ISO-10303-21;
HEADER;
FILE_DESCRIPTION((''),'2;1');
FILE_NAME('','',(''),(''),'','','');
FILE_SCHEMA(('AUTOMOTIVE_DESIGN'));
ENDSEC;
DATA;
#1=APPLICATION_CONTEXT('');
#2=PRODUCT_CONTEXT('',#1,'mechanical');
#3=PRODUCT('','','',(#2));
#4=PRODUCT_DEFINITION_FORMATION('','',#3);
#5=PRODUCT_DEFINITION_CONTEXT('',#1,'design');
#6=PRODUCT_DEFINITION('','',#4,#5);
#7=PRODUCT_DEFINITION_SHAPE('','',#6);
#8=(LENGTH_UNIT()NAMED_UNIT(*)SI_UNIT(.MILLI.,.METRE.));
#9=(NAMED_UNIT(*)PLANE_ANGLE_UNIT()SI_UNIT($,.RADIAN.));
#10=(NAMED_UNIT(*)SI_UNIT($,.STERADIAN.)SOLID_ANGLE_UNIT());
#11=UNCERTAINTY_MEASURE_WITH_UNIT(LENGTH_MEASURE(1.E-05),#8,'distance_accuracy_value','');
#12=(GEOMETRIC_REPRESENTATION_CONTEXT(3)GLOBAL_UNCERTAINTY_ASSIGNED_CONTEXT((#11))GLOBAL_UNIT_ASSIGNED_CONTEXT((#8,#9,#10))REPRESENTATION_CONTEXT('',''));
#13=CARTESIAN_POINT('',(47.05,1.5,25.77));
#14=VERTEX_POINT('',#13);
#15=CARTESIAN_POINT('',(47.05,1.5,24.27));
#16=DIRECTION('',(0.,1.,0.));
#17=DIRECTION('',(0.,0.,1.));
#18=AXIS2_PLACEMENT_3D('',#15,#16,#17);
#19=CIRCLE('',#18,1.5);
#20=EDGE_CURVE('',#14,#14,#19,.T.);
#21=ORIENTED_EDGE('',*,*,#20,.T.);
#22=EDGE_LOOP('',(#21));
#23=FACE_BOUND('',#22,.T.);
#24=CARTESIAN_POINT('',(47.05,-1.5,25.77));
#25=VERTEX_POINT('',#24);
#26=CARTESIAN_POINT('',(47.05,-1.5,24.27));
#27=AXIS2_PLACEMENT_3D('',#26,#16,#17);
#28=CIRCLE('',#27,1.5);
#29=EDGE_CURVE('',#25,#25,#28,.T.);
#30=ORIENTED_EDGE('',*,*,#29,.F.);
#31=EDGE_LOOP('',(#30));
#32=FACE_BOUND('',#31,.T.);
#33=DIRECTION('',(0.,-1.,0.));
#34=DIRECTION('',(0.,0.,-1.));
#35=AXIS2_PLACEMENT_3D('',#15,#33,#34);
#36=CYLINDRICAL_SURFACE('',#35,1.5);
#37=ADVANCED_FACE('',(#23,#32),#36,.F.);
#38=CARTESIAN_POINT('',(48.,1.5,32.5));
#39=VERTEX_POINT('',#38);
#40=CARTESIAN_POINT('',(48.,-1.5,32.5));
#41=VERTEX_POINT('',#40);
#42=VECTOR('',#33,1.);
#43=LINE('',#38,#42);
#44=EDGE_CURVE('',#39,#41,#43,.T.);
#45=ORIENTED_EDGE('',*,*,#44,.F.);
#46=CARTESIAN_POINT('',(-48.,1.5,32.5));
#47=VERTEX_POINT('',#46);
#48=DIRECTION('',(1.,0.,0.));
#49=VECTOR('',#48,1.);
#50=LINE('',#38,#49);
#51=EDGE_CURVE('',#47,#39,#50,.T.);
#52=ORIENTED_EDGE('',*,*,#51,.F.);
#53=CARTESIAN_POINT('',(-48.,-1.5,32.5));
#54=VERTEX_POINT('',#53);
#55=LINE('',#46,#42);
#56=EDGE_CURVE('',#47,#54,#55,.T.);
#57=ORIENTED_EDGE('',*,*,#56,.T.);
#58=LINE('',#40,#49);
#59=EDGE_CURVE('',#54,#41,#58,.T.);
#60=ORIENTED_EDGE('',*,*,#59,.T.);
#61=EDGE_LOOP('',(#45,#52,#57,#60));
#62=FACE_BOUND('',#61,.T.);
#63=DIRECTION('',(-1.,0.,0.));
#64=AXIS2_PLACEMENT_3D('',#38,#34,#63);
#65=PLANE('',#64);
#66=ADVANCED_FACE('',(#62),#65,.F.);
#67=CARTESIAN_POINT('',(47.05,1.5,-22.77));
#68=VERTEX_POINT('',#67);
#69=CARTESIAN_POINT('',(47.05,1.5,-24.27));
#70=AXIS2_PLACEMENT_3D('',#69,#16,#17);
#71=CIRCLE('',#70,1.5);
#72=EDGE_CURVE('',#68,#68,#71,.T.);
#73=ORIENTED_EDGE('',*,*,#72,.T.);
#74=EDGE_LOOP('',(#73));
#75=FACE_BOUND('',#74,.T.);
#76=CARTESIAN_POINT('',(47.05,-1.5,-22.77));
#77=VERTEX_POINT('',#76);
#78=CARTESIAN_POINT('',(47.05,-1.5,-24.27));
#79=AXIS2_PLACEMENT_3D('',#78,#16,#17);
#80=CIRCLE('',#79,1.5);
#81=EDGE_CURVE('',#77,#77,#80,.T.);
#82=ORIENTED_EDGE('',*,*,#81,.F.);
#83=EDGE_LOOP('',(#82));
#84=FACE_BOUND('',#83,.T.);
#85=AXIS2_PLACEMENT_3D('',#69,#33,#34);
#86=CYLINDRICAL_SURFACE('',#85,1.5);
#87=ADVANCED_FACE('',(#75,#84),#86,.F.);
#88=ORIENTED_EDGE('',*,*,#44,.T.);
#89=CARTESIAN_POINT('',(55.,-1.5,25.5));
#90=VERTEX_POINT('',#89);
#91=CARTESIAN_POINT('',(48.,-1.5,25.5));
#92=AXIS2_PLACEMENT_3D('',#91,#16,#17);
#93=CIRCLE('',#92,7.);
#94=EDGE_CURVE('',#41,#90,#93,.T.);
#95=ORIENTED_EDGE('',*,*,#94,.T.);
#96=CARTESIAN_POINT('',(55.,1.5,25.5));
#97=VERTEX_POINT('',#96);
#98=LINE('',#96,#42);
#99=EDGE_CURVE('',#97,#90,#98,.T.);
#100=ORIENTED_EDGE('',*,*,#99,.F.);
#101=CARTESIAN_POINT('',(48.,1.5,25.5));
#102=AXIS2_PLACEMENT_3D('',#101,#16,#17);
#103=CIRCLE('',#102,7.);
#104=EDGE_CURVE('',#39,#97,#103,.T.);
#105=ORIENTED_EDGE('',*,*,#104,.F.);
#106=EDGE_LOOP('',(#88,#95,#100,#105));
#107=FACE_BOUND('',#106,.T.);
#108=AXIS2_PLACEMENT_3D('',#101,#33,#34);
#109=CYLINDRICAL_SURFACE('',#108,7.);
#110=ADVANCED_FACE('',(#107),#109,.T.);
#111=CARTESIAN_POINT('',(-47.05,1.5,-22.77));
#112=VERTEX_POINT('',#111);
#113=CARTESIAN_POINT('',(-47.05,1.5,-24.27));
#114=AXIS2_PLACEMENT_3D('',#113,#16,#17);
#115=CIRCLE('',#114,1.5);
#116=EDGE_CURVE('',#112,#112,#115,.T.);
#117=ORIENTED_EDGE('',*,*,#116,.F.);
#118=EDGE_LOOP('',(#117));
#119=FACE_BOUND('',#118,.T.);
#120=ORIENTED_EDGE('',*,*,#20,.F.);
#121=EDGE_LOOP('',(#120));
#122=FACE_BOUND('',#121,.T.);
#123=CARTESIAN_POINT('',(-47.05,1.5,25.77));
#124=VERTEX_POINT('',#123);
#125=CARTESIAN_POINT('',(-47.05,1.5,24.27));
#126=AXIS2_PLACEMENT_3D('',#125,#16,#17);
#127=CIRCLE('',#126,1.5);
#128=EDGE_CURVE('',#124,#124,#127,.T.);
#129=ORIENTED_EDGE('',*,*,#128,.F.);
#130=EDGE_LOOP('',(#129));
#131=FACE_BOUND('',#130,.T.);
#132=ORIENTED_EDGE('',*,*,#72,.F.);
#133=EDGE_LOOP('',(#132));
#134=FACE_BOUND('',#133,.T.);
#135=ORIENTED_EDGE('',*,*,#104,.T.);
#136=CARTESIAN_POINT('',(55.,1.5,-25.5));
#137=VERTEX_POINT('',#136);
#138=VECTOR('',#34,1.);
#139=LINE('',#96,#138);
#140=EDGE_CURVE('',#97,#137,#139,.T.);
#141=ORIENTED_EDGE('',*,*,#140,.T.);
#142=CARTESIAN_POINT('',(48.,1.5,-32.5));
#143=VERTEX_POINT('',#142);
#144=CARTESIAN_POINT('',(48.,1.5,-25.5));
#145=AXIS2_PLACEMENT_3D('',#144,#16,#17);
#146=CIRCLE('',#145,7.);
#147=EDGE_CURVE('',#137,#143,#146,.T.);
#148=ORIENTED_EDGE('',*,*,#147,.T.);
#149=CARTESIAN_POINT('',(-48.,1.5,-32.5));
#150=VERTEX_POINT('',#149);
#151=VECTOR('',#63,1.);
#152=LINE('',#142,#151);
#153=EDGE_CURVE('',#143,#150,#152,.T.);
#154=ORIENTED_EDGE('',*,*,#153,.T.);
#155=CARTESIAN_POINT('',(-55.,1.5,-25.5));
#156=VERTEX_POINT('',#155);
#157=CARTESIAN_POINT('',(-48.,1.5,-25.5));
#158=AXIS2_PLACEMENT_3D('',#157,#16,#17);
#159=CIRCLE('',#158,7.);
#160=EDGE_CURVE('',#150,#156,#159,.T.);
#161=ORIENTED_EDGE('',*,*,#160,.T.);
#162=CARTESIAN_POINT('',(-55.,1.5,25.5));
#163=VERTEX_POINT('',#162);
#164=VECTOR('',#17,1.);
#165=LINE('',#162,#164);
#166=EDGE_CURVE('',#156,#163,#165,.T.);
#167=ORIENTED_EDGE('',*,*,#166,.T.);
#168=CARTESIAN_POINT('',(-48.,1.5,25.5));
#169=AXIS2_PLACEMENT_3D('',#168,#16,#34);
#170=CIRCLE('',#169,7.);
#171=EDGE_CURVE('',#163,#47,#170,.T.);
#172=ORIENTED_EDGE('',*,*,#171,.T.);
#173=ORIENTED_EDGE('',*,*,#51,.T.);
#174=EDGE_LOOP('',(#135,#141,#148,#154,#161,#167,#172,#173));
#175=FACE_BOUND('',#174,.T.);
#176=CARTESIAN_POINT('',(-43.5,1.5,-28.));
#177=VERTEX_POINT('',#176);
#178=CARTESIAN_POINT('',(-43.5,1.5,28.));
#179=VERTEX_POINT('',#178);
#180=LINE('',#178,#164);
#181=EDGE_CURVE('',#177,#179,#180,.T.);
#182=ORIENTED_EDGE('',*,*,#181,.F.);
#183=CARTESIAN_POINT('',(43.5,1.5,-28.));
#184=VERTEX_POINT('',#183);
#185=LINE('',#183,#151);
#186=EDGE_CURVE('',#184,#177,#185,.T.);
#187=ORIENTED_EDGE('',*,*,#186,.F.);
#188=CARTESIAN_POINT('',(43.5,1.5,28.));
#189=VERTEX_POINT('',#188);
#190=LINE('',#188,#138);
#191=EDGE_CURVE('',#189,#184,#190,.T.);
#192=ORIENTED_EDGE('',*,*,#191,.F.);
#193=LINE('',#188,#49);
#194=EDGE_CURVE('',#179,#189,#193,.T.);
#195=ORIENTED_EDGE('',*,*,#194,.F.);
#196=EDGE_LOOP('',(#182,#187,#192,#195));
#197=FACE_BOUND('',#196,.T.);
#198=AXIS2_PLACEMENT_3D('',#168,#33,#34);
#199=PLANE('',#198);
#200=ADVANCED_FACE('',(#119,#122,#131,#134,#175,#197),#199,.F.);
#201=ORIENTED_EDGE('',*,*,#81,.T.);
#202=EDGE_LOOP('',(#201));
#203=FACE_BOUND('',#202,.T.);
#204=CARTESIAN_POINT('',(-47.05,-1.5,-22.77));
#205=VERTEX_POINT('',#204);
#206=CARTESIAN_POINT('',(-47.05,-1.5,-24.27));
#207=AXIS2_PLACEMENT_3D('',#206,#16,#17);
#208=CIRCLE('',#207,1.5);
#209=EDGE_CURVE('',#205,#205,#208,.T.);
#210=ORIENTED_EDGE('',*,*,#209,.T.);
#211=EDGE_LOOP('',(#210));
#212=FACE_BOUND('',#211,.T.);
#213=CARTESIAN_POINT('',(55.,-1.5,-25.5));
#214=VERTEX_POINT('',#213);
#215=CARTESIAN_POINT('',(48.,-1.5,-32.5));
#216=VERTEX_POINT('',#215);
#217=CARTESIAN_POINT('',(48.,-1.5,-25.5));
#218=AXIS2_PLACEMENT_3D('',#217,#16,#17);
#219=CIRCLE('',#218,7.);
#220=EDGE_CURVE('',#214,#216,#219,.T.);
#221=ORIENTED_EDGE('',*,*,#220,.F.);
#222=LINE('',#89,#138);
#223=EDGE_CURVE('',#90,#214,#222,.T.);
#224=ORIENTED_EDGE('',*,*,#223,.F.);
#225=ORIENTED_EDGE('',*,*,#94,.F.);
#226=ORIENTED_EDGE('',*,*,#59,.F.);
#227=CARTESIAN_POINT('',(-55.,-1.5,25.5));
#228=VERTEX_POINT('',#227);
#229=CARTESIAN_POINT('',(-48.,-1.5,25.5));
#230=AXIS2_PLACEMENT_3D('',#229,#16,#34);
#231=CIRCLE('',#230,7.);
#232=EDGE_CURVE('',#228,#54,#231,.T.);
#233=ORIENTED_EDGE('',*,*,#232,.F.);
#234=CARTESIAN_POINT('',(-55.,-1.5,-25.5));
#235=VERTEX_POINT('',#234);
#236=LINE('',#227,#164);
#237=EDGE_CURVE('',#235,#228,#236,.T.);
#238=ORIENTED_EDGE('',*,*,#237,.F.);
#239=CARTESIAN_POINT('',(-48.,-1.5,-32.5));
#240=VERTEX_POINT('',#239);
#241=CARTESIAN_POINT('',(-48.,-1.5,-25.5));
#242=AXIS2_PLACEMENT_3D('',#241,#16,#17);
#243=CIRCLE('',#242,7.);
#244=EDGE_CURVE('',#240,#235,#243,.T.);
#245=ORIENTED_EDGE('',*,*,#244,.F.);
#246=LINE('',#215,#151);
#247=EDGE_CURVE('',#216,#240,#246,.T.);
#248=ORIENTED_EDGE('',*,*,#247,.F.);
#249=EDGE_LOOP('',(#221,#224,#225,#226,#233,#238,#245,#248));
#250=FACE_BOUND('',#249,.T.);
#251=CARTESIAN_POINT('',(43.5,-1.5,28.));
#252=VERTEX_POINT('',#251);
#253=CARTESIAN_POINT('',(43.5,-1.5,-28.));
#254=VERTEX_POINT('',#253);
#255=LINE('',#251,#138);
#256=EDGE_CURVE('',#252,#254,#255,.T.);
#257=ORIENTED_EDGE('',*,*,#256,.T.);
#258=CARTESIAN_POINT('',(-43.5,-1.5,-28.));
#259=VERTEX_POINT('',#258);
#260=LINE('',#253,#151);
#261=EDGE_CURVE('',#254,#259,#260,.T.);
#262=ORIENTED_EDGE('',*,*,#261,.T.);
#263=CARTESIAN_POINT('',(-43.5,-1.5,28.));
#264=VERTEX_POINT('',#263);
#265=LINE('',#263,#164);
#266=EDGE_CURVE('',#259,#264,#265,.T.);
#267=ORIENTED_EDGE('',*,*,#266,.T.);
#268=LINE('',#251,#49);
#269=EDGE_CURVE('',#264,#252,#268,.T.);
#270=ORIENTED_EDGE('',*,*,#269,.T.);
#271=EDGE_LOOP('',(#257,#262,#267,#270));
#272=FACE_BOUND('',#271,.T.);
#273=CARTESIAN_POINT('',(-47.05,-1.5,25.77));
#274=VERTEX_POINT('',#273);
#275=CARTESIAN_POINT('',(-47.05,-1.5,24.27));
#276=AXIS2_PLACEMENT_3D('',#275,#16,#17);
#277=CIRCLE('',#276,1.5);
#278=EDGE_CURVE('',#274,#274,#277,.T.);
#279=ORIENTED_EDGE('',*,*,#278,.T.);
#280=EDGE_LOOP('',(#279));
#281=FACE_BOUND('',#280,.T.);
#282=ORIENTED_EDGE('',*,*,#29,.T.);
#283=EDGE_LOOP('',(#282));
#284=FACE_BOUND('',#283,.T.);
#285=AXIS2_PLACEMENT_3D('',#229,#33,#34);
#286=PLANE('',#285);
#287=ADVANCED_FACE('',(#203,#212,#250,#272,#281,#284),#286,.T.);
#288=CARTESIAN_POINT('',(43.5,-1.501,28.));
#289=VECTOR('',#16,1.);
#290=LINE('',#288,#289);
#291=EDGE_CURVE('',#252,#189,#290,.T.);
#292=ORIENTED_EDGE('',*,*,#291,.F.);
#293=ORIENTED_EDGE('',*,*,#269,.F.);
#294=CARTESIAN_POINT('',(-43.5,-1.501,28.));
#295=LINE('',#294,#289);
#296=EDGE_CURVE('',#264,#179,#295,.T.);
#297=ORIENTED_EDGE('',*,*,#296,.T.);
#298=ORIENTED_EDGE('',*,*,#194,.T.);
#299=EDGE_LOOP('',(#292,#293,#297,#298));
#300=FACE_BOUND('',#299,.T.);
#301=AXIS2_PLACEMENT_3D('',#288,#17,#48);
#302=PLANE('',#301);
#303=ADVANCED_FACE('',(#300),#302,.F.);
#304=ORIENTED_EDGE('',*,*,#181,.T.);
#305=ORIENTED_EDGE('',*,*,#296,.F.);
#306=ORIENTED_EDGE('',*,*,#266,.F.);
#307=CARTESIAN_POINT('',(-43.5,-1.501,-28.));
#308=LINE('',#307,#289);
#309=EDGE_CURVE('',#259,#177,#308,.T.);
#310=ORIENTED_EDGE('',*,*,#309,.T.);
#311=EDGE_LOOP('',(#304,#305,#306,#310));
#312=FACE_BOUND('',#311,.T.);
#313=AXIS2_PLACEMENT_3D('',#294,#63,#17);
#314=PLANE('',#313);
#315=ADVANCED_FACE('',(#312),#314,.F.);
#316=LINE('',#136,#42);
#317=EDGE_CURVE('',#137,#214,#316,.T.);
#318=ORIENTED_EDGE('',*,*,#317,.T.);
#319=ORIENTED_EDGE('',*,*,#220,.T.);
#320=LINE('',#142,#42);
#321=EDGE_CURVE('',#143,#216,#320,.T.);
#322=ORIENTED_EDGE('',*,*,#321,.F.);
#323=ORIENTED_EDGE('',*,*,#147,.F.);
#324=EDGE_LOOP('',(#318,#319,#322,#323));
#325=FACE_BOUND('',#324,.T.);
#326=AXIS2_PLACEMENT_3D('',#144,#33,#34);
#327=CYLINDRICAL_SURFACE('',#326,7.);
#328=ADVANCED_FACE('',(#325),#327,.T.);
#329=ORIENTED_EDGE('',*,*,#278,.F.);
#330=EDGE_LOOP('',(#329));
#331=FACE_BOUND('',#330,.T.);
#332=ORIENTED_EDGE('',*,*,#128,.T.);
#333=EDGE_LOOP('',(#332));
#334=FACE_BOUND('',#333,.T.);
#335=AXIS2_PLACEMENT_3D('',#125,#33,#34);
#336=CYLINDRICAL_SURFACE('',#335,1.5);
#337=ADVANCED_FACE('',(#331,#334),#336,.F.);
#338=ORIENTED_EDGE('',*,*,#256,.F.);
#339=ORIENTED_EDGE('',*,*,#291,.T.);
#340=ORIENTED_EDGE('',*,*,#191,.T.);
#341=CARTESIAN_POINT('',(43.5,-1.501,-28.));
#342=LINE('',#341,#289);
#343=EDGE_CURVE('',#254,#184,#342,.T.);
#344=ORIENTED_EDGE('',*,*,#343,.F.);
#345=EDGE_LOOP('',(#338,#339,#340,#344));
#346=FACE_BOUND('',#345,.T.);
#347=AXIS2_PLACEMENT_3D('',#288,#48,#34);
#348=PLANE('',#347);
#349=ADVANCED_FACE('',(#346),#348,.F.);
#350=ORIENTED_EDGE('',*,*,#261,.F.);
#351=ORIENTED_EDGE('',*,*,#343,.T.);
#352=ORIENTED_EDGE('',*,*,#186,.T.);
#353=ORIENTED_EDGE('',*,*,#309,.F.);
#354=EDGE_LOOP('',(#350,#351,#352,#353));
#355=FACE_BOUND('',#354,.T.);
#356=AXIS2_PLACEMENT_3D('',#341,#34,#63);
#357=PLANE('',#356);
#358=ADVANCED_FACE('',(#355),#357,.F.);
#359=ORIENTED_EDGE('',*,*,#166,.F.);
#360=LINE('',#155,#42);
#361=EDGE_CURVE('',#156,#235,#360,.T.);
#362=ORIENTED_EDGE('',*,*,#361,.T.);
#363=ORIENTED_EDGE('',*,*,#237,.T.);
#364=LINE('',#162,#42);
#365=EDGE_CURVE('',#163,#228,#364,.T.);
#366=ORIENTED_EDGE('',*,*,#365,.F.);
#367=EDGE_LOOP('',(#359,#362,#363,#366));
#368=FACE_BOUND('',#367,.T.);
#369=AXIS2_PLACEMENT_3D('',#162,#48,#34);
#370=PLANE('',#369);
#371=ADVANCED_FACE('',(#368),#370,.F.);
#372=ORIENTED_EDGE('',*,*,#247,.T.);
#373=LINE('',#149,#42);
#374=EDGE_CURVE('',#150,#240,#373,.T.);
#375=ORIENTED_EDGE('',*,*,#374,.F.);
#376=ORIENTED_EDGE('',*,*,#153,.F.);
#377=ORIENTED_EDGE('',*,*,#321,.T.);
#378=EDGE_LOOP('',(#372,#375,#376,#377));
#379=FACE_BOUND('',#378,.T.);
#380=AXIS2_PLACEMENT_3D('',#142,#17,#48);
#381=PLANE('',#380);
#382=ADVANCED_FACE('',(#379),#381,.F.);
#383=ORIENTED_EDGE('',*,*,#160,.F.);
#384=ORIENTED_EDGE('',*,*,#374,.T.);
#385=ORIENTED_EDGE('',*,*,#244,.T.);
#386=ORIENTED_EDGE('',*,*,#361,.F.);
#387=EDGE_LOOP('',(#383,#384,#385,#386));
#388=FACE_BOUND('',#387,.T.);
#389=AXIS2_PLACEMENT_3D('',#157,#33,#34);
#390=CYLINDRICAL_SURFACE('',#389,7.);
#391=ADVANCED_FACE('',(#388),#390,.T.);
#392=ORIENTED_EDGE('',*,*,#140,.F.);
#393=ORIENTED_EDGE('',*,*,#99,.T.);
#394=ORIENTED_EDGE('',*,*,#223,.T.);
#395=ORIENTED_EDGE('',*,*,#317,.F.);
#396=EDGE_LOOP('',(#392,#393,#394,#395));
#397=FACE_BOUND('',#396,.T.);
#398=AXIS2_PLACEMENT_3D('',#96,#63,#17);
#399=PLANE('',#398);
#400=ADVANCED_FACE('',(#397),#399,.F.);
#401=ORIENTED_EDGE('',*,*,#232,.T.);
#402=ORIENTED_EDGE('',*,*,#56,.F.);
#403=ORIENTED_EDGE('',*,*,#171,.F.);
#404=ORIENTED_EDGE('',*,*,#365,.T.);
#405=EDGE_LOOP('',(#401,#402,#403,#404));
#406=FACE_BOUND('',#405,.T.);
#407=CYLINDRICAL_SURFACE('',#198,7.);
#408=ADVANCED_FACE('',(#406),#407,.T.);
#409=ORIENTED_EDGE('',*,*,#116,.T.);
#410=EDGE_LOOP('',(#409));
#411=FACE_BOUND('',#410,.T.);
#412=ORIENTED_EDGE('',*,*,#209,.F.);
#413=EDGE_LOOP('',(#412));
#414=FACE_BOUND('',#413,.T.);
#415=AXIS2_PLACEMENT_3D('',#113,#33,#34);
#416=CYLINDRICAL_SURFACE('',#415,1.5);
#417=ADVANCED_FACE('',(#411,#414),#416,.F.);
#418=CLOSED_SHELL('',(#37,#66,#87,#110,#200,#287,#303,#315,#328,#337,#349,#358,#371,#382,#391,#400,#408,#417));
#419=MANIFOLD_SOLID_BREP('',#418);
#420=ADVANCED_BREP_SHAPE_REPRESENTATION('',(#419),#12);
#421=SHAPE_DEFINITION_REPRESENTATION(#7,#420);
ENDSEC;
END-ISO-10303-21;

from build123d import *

# Parameters (mm, degrees)
SKETCH1_R           = 1.5
BOSS_EXTRUDE1_DEPTH = 1.5
CUT_EXTRUDE1_REACH  = 65.955
SKETCH2_W           = 87
SKETCH2_H           = 56


with BuildPart() as part:
    # Sketch1 → Boss-Extrude1 (new, symmetric)
    with BuildSketch(Plane(origin=(0, 0, 0), x_dir=(1, 0, 0), z_dir=(0, 1, 0))):
        with BuildLine():
            Line((48, -32.5), (-48, -32.5))
            ThreePointArc((-48, -32.5), (-52.949747468, -30.449747468), (-55, -25.5))
            Line((-55, -25.5), (-55, 25.5))
            ThreePointArc((-55, 25.5), (-52.949747468, 30.449747468), (-48, 32.5))
            Line((-48, 32.5), (48, 32.5))
            ThreePointArc((48, 32.5), (52.949747468, 30.449747468), (55, 25.5))
            Line((55, 25.5), (55, -25.5))
            ThreePointArc((55, -25.5), (52.949747468, -30.449747468), (48, -32.5))
        make_face()
        with Locations(Location((-47.05, 24.27, 0), (0, 0, 270))):
            Circle(SKETCH1_R, mode=Mode.SUBTRACT)
        with Locations(Location((-47.05, -24.27, 0), (0, 0, 270))):
            Circle(SKETCH1_R, mode=Mode.SUBTRACT)
        with Locations(Location((47.05, -24.27, 0), (0, 0, 270))):
            Circle(SKETCH1_R, mode=Mode.SUBTRACT)
        with Locations(Location((47.05, 24.27, 0), (0, 0, 270))):
            Circle(SKETCH1_R, mode=Mode.SUBTRACT)
    extrude(amount=BOSS_EXTRUDE1_DEPTH, both=True)

    # Sketch2 → Cut-Extrude1 (cut, up to next)
    with BuildSketch(Plane(origin=(0, 1.5, 0), x_dir=(1, 0, 0), z_dir=(0, 1, 0)), mode=Mode.PRIVATE) as cut_extrude1_sk1:
        Rectangle(SKETCH2_W, SKETCH2_H)
    cut_extrude1_tool1 = extrude(cut_extrude1_sk1.sketch, amount=-CUT_EXTRUDE1_REACH, mode=Mode.PRIVATE) & part.part
    add(cut_extrude1_tool1.solids().sort_by_distance((0, 1.5, 0))[0], mode=Mode.SUBTRACT)


solid = part.part
